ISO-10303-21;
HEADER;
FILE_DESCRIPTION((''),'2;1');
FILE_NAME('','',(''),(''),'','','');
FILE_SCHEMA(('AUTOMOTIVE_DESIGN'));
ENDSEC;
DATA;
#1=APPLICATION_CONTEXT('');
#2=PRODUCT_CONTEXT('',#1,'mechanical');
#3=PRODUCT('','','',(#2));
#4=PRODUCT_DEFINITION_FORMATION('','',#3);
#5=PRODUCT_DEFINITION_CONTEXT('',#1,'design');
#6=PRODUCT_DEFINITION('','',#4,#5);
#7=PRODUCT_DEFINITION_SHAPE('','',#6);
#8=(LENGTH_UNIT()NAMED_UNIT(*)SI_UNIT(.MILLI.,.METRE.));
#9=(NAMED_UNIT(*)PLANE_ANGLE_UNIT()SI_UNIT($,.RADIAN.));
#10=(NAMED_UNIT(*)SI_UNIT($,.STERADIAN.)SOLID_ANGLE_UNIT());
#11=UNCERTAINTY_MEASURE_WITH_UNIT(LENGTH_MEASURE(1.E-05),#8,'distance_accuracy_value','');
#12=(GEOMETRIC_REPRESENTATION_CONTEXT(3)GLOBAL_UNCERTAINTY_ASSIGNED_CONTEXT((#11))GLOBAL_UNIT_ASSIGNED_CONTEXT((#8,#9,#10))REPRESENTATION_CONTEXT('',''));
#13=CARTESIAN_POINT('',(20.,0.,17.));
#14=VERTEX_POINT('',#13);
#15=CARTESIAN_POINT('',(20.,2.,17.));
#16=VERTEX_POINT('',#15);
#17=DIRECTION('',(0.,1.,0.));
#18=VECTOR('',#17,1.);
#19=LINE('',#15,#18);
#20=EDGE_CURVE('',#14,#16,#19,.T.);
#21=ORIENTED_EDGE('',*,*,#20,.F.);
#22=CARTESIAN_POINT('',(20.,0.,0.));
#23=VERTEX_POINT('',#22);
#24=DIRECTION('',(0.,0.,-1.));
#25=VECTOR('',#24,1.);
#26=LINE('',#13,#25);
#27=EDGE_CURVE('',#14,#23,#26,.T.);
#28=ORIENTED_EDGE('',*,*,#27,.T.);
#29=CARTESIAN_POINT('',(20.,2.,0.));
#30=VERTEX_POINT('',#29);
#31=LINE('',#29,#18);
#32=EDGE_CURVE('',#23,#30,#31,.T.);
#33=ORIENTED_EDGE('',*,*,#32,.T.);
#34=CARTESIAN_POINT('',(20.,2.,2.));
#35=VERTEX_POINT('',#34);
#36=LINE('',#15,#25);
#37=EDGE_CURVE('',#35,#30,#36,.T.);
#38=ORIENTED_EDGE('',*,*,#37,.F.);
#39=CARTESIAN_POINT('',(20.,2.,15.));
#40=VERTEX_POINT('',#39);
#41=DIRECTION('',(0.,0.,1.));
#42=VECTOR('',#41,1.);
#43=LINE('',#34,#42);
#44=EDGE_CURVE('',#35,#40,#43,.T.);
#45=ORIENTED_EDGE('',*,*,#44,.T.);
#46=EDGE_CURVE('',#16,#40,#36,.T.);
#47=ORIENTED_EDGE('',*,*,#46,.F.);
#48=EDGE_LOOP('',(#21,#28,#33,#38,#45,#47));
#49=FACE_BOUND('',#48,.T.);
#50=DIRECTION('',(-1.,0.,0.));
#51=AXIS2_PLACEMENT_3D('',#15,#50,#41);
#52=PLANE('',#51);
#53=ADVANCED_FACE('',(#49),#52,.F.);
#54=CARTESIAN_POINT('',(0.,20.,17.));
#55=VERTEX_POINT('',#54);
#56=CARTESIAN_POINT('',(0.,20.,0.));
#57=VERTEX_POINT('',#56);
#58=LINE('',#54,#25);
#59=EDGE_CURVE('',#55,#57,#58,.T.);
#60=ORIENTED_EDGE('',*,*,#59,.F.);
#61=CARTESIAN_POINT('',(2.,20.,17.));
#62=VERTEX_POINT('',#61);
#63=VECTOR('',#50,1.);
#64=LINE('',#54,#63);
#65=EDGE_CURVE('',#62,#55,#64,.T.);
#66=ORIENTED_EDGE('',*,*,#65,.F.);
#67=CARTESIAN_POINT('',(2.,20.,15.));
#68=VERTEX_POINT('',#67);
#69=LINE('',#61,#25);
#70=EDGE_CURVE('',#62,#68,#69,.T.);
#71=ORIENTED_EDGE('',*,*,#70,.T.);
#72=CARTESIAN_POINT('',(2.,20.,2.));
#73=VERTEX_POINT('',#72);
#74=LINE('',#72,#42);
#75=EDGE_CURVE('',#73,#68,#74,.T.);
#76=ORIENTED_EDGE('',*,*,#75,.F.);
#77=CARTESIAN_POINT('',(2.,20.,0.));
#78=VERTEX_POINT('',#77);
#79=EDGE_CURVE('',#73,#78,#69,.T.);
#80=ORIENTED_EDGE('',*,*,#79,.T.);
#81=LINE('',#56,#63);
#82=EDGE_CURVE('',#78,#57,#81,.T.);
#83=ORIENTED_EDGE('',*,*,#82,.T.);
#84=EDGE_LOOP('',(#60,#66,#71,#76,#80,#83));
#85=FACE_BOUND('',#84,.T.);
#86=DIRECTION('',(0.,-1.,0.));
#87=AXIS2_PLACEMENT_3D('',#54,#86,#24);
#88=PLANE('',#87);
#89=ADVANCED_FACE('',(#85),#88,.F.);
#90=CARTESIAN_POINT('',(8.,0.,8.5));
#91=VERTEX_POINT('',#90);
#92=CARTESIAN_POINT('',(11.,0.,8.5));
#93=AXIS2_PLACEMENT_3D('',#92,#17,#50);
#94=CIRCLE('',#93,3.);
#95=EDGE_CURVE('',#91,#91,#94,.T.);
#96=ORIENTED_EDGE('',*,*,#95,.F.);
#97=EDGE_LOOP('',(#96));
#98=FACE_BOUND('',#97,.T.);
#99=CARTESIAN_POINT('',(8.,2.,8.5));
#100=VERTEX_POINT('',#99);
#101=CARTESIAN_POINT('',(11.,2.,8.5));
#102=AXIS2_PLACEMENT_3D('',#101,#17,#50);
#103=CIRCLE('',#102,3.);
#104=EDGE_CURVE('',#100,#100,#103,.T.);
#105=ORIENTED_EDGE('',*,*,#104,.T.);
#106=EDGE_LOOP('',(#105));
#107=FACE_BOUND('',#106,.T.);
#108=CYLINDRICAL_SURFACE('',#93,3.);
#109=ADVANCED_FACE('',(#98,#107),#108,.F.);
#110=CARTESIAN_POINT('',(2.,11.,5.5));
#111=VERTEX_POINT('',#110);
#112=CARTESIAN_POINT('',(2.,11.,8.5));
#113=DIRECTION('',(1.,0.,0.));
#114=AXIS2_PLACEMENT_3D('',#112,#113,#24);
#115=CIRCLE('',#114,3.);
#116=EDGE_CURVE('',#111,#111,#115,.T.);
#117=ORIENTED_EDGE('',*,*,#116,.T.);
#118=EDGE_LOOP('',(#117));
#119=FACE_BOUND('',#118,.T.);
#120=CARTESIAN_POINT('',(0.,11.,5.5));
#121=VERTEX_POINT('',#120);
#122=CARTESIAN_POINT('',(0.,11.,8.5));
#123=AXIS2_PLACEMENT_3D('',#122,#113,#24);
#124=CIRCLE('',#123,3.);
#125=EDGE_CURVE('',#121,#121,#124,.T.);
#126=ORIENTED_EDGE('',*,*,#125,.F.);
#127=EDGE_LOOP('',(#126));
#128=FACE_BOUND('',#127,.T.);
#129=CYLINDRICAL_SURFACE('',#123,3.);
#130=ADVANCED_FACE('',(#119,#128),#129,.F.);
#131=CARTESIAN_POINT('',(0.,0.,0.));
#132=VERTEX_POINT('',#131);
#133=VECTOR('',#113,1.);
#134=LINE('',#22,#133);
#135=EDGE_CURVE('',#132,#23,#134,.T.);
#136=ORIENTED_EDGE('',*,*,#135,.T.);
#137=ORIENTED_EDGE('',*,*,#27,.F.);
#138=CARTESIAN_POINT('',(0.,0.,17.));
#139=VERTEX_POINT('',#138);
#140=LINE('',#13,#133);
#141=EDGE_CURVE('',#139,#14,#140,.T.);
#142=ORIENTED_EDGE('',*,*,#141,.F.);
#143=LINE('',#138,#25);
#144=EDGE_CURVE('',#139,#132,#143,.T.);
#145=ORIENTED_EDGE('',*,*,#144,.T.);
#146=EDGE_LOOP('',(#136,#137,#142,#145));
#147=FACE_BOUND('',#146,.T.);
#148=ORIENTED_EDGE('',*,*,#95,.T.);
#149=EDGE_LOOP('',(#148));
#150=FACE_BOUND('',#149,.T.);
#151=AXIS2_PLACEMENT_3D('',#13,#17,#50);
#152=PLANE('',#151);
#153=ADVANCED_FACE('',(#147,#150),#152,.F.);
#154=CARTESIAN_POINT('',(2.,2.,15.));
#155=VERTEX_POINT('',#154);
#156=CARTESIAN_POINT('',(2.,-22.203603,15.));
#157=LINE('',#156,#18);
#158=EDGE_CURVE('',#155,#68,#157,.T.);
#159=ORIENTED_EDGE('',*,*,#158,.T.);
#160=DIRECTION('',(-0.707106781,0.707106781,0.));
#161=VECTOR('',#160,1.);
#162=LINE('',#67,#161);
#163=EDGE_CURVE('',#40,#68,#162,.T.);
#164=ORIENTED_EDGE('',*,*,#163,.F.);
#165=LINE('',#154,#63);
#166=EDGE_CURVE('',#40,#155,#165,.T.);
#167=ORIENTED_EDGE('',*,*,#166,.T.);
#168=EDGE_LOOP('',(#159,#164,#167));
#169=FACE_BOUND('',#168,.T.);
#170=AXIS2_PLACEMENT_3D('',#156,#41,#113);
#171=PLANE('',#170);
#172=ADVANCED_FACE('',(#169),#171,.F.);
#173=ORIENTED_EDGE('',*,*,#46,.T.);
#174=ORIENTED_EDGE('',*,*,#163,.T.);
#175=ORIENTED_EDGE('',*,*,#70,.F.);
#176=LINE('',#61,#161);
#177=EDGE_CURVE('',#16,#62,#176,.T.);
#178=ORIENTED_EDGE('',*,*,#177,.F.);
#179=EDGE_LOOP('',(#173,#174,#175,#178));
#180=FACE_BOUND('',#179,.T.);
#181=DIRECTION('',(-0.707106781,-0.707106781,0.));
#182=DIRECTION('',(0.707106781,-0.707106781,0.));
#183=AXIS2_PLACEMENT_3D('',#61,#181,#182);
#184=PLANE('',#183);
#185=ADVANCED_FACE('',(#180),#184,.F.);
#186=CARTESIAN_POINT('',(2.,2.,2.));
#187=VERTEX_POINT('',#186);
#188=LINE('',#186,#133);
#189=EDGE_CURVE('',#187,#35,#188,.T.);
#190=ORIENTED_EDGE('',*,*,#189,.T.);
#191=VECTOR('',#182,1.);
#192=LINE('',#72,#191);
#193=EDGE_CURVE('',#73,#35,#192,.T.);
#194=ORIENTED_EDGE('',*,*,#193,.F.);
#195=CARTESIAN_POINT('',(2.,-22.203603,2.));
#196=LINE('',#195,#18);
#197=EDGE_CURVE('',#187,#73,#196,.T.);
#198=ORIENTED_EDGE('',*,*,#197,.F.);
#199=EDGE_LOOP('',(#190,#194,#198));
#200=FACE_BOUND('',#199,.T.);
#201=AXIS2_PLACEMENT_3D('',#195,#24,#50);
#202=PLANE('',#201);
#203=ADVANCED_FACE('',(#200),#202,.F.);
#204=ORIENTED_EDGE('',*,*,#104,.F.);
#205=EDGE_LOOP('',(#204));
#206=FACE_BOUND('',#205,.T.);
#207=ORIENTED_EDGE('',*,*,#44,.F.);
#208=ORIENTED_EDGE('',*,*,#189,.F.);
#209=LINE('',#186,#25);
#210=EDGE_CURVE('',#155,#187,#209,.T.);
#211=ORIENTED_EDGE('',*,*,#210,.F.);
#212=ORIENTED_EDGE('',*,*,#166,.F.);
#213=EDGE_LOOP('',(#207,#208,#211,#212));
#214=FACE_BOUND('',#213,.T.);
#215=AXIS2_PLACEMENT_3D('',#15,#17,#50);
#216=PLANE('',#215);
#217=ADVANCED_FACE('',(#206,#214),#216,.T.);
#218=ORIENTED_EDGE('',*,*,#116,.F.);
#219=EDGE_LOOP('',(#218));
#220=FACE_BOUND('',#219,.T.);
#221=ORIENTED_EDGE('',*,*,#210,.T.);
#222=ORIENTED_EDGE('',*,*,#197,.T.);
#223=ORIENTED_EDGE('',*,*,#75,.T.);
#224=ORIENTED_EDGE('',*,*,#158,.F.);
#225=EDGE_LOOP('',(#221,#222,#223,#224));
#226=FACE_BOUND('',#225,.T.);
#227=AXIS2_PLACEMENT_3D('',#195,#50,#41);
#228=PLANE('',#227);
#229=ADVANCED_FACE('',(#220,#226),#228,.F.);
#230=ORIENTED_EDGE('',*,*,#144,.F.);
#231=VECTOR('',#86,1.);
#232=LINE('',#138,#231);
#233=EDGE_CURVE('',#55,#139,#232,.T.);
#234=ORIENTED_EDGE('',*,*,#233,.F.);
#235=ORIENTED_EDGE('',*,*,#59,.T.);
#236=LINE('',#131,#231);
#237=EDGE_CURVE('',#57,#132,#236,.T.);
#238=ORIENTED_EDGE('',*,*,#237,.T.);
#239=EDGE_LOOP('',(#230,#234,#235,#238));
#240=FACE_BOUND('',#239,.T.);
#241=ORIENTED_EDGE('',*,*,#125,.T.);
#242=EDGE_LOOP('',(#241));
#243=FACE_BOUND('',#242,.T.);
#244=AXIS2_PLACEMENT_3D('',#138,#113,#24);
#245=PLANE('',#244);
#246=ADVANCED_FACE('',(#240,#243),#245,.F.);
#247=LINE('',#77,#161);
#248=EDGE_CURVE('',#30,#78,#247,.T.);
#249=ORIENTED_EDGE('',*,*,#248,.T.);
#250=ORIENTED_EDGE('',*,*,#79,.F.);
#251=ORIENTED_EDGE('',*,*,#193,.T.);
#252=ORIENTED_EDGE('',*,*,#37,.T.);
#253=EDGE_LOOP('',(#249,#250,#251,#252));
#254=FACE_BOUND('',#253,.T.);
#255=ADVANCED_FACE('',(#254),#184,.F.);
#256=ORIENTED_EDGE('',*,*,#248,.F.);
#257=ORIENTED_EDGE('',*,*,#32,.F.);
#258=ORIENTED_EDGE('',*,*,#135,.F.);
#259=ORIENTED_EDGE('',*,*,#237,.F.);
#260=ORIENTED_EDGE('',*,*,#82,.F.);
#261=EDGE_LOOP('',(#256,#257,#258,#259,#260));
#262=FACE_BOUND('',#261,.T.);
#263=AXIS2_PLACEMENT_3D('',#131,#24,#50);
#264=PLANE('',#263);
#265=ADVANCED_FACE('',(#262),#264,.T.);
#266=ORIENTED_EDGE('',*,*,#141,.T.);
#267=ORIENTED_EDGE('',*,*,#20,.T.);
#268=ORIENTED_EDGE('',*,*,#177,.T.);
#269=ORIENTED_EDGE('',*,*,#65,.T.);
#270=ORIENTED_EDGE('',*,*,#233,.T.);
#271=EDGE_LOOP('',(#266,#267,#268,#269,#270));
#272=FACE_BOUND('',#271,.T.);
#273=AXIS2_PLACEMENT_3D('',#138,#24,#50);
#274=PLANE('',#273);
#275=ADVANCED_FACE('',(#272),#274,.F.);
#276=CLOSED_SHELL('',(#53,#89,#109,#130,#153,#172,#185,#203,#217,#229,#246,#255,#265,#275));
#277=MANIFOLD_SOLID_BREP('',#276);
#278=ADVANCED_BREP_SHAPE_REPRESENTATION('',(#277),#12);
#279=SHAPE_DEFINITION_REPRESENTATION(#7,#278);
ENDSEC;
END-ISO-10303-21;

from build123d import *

# Parameters (mm, degrees)
RESSALTO_EXTRUS_O1_DEPTH = 17
ESBO_O2_W                = 18
ESBO_O2_H                = 13
CORTE_EXTRUS_O1_DEPTH    = 18
ESBO_O3_R                = 3
CORTE_EXTRUS_O2_DEPTH    = 2
ESBO_O4_R                = 3
CORTE_EXTRUS_O3_DEPTH    = 3


with BuildPart() as part:
    # Esboço1 → Ressalto-extrusão1 (new body)
    with BuildSketch(Plane.XY):
        Polygon((0, 0), (0, 20), (2, 20), (20, 2), (20, 0), align=None)
    extrude(amount=RESSALTO_EXTRUS_O1_DEPTH)

    # Esboço2 → Corte-extrusão1 (cut)
    with BuildSketch(Plane(origin=(0, 20, 0), x_dir=(1, 0, 0), z_dir=(0, 1, 0))):
        with Locations((11, -8.5)):
            Rectangle(ESBO_O2_W, ESBO_O2_H)
    extrude(amount=-CORTE_EXTRUS_O1_DEPTH, mode=Mode.SUBTRACT)

    # Esboço3 → Corte-extrusão2 (cut)
    with BuildSketch(Plane(origin=(2, 0, 0), x_dir=(0, 0, -1), z_dir=(1, 0, 0))):
        with Locations((-8.5, 11)):
            Circle(ESBO_O3_R)
    extrude(amount=-CORTE_EXTRUS_O2_DEPTH, mode=Mode.SUBTRACT)

    # Esboço4 → Corte-extrusão3 (cut, through all)
    with BuildSketch(Plane(origin=(0, 2, 0), x_dir=(1, 0, 0), z_dir=(0, 1, 0))):
        with Locations((11, -8.5)):
            Circle(ESBO_O4_R)
    extrude(amount=-CORTE_EXTRUS_O3_DEPTH, mode=Mode.SUBTRACT)


solid = part.part
